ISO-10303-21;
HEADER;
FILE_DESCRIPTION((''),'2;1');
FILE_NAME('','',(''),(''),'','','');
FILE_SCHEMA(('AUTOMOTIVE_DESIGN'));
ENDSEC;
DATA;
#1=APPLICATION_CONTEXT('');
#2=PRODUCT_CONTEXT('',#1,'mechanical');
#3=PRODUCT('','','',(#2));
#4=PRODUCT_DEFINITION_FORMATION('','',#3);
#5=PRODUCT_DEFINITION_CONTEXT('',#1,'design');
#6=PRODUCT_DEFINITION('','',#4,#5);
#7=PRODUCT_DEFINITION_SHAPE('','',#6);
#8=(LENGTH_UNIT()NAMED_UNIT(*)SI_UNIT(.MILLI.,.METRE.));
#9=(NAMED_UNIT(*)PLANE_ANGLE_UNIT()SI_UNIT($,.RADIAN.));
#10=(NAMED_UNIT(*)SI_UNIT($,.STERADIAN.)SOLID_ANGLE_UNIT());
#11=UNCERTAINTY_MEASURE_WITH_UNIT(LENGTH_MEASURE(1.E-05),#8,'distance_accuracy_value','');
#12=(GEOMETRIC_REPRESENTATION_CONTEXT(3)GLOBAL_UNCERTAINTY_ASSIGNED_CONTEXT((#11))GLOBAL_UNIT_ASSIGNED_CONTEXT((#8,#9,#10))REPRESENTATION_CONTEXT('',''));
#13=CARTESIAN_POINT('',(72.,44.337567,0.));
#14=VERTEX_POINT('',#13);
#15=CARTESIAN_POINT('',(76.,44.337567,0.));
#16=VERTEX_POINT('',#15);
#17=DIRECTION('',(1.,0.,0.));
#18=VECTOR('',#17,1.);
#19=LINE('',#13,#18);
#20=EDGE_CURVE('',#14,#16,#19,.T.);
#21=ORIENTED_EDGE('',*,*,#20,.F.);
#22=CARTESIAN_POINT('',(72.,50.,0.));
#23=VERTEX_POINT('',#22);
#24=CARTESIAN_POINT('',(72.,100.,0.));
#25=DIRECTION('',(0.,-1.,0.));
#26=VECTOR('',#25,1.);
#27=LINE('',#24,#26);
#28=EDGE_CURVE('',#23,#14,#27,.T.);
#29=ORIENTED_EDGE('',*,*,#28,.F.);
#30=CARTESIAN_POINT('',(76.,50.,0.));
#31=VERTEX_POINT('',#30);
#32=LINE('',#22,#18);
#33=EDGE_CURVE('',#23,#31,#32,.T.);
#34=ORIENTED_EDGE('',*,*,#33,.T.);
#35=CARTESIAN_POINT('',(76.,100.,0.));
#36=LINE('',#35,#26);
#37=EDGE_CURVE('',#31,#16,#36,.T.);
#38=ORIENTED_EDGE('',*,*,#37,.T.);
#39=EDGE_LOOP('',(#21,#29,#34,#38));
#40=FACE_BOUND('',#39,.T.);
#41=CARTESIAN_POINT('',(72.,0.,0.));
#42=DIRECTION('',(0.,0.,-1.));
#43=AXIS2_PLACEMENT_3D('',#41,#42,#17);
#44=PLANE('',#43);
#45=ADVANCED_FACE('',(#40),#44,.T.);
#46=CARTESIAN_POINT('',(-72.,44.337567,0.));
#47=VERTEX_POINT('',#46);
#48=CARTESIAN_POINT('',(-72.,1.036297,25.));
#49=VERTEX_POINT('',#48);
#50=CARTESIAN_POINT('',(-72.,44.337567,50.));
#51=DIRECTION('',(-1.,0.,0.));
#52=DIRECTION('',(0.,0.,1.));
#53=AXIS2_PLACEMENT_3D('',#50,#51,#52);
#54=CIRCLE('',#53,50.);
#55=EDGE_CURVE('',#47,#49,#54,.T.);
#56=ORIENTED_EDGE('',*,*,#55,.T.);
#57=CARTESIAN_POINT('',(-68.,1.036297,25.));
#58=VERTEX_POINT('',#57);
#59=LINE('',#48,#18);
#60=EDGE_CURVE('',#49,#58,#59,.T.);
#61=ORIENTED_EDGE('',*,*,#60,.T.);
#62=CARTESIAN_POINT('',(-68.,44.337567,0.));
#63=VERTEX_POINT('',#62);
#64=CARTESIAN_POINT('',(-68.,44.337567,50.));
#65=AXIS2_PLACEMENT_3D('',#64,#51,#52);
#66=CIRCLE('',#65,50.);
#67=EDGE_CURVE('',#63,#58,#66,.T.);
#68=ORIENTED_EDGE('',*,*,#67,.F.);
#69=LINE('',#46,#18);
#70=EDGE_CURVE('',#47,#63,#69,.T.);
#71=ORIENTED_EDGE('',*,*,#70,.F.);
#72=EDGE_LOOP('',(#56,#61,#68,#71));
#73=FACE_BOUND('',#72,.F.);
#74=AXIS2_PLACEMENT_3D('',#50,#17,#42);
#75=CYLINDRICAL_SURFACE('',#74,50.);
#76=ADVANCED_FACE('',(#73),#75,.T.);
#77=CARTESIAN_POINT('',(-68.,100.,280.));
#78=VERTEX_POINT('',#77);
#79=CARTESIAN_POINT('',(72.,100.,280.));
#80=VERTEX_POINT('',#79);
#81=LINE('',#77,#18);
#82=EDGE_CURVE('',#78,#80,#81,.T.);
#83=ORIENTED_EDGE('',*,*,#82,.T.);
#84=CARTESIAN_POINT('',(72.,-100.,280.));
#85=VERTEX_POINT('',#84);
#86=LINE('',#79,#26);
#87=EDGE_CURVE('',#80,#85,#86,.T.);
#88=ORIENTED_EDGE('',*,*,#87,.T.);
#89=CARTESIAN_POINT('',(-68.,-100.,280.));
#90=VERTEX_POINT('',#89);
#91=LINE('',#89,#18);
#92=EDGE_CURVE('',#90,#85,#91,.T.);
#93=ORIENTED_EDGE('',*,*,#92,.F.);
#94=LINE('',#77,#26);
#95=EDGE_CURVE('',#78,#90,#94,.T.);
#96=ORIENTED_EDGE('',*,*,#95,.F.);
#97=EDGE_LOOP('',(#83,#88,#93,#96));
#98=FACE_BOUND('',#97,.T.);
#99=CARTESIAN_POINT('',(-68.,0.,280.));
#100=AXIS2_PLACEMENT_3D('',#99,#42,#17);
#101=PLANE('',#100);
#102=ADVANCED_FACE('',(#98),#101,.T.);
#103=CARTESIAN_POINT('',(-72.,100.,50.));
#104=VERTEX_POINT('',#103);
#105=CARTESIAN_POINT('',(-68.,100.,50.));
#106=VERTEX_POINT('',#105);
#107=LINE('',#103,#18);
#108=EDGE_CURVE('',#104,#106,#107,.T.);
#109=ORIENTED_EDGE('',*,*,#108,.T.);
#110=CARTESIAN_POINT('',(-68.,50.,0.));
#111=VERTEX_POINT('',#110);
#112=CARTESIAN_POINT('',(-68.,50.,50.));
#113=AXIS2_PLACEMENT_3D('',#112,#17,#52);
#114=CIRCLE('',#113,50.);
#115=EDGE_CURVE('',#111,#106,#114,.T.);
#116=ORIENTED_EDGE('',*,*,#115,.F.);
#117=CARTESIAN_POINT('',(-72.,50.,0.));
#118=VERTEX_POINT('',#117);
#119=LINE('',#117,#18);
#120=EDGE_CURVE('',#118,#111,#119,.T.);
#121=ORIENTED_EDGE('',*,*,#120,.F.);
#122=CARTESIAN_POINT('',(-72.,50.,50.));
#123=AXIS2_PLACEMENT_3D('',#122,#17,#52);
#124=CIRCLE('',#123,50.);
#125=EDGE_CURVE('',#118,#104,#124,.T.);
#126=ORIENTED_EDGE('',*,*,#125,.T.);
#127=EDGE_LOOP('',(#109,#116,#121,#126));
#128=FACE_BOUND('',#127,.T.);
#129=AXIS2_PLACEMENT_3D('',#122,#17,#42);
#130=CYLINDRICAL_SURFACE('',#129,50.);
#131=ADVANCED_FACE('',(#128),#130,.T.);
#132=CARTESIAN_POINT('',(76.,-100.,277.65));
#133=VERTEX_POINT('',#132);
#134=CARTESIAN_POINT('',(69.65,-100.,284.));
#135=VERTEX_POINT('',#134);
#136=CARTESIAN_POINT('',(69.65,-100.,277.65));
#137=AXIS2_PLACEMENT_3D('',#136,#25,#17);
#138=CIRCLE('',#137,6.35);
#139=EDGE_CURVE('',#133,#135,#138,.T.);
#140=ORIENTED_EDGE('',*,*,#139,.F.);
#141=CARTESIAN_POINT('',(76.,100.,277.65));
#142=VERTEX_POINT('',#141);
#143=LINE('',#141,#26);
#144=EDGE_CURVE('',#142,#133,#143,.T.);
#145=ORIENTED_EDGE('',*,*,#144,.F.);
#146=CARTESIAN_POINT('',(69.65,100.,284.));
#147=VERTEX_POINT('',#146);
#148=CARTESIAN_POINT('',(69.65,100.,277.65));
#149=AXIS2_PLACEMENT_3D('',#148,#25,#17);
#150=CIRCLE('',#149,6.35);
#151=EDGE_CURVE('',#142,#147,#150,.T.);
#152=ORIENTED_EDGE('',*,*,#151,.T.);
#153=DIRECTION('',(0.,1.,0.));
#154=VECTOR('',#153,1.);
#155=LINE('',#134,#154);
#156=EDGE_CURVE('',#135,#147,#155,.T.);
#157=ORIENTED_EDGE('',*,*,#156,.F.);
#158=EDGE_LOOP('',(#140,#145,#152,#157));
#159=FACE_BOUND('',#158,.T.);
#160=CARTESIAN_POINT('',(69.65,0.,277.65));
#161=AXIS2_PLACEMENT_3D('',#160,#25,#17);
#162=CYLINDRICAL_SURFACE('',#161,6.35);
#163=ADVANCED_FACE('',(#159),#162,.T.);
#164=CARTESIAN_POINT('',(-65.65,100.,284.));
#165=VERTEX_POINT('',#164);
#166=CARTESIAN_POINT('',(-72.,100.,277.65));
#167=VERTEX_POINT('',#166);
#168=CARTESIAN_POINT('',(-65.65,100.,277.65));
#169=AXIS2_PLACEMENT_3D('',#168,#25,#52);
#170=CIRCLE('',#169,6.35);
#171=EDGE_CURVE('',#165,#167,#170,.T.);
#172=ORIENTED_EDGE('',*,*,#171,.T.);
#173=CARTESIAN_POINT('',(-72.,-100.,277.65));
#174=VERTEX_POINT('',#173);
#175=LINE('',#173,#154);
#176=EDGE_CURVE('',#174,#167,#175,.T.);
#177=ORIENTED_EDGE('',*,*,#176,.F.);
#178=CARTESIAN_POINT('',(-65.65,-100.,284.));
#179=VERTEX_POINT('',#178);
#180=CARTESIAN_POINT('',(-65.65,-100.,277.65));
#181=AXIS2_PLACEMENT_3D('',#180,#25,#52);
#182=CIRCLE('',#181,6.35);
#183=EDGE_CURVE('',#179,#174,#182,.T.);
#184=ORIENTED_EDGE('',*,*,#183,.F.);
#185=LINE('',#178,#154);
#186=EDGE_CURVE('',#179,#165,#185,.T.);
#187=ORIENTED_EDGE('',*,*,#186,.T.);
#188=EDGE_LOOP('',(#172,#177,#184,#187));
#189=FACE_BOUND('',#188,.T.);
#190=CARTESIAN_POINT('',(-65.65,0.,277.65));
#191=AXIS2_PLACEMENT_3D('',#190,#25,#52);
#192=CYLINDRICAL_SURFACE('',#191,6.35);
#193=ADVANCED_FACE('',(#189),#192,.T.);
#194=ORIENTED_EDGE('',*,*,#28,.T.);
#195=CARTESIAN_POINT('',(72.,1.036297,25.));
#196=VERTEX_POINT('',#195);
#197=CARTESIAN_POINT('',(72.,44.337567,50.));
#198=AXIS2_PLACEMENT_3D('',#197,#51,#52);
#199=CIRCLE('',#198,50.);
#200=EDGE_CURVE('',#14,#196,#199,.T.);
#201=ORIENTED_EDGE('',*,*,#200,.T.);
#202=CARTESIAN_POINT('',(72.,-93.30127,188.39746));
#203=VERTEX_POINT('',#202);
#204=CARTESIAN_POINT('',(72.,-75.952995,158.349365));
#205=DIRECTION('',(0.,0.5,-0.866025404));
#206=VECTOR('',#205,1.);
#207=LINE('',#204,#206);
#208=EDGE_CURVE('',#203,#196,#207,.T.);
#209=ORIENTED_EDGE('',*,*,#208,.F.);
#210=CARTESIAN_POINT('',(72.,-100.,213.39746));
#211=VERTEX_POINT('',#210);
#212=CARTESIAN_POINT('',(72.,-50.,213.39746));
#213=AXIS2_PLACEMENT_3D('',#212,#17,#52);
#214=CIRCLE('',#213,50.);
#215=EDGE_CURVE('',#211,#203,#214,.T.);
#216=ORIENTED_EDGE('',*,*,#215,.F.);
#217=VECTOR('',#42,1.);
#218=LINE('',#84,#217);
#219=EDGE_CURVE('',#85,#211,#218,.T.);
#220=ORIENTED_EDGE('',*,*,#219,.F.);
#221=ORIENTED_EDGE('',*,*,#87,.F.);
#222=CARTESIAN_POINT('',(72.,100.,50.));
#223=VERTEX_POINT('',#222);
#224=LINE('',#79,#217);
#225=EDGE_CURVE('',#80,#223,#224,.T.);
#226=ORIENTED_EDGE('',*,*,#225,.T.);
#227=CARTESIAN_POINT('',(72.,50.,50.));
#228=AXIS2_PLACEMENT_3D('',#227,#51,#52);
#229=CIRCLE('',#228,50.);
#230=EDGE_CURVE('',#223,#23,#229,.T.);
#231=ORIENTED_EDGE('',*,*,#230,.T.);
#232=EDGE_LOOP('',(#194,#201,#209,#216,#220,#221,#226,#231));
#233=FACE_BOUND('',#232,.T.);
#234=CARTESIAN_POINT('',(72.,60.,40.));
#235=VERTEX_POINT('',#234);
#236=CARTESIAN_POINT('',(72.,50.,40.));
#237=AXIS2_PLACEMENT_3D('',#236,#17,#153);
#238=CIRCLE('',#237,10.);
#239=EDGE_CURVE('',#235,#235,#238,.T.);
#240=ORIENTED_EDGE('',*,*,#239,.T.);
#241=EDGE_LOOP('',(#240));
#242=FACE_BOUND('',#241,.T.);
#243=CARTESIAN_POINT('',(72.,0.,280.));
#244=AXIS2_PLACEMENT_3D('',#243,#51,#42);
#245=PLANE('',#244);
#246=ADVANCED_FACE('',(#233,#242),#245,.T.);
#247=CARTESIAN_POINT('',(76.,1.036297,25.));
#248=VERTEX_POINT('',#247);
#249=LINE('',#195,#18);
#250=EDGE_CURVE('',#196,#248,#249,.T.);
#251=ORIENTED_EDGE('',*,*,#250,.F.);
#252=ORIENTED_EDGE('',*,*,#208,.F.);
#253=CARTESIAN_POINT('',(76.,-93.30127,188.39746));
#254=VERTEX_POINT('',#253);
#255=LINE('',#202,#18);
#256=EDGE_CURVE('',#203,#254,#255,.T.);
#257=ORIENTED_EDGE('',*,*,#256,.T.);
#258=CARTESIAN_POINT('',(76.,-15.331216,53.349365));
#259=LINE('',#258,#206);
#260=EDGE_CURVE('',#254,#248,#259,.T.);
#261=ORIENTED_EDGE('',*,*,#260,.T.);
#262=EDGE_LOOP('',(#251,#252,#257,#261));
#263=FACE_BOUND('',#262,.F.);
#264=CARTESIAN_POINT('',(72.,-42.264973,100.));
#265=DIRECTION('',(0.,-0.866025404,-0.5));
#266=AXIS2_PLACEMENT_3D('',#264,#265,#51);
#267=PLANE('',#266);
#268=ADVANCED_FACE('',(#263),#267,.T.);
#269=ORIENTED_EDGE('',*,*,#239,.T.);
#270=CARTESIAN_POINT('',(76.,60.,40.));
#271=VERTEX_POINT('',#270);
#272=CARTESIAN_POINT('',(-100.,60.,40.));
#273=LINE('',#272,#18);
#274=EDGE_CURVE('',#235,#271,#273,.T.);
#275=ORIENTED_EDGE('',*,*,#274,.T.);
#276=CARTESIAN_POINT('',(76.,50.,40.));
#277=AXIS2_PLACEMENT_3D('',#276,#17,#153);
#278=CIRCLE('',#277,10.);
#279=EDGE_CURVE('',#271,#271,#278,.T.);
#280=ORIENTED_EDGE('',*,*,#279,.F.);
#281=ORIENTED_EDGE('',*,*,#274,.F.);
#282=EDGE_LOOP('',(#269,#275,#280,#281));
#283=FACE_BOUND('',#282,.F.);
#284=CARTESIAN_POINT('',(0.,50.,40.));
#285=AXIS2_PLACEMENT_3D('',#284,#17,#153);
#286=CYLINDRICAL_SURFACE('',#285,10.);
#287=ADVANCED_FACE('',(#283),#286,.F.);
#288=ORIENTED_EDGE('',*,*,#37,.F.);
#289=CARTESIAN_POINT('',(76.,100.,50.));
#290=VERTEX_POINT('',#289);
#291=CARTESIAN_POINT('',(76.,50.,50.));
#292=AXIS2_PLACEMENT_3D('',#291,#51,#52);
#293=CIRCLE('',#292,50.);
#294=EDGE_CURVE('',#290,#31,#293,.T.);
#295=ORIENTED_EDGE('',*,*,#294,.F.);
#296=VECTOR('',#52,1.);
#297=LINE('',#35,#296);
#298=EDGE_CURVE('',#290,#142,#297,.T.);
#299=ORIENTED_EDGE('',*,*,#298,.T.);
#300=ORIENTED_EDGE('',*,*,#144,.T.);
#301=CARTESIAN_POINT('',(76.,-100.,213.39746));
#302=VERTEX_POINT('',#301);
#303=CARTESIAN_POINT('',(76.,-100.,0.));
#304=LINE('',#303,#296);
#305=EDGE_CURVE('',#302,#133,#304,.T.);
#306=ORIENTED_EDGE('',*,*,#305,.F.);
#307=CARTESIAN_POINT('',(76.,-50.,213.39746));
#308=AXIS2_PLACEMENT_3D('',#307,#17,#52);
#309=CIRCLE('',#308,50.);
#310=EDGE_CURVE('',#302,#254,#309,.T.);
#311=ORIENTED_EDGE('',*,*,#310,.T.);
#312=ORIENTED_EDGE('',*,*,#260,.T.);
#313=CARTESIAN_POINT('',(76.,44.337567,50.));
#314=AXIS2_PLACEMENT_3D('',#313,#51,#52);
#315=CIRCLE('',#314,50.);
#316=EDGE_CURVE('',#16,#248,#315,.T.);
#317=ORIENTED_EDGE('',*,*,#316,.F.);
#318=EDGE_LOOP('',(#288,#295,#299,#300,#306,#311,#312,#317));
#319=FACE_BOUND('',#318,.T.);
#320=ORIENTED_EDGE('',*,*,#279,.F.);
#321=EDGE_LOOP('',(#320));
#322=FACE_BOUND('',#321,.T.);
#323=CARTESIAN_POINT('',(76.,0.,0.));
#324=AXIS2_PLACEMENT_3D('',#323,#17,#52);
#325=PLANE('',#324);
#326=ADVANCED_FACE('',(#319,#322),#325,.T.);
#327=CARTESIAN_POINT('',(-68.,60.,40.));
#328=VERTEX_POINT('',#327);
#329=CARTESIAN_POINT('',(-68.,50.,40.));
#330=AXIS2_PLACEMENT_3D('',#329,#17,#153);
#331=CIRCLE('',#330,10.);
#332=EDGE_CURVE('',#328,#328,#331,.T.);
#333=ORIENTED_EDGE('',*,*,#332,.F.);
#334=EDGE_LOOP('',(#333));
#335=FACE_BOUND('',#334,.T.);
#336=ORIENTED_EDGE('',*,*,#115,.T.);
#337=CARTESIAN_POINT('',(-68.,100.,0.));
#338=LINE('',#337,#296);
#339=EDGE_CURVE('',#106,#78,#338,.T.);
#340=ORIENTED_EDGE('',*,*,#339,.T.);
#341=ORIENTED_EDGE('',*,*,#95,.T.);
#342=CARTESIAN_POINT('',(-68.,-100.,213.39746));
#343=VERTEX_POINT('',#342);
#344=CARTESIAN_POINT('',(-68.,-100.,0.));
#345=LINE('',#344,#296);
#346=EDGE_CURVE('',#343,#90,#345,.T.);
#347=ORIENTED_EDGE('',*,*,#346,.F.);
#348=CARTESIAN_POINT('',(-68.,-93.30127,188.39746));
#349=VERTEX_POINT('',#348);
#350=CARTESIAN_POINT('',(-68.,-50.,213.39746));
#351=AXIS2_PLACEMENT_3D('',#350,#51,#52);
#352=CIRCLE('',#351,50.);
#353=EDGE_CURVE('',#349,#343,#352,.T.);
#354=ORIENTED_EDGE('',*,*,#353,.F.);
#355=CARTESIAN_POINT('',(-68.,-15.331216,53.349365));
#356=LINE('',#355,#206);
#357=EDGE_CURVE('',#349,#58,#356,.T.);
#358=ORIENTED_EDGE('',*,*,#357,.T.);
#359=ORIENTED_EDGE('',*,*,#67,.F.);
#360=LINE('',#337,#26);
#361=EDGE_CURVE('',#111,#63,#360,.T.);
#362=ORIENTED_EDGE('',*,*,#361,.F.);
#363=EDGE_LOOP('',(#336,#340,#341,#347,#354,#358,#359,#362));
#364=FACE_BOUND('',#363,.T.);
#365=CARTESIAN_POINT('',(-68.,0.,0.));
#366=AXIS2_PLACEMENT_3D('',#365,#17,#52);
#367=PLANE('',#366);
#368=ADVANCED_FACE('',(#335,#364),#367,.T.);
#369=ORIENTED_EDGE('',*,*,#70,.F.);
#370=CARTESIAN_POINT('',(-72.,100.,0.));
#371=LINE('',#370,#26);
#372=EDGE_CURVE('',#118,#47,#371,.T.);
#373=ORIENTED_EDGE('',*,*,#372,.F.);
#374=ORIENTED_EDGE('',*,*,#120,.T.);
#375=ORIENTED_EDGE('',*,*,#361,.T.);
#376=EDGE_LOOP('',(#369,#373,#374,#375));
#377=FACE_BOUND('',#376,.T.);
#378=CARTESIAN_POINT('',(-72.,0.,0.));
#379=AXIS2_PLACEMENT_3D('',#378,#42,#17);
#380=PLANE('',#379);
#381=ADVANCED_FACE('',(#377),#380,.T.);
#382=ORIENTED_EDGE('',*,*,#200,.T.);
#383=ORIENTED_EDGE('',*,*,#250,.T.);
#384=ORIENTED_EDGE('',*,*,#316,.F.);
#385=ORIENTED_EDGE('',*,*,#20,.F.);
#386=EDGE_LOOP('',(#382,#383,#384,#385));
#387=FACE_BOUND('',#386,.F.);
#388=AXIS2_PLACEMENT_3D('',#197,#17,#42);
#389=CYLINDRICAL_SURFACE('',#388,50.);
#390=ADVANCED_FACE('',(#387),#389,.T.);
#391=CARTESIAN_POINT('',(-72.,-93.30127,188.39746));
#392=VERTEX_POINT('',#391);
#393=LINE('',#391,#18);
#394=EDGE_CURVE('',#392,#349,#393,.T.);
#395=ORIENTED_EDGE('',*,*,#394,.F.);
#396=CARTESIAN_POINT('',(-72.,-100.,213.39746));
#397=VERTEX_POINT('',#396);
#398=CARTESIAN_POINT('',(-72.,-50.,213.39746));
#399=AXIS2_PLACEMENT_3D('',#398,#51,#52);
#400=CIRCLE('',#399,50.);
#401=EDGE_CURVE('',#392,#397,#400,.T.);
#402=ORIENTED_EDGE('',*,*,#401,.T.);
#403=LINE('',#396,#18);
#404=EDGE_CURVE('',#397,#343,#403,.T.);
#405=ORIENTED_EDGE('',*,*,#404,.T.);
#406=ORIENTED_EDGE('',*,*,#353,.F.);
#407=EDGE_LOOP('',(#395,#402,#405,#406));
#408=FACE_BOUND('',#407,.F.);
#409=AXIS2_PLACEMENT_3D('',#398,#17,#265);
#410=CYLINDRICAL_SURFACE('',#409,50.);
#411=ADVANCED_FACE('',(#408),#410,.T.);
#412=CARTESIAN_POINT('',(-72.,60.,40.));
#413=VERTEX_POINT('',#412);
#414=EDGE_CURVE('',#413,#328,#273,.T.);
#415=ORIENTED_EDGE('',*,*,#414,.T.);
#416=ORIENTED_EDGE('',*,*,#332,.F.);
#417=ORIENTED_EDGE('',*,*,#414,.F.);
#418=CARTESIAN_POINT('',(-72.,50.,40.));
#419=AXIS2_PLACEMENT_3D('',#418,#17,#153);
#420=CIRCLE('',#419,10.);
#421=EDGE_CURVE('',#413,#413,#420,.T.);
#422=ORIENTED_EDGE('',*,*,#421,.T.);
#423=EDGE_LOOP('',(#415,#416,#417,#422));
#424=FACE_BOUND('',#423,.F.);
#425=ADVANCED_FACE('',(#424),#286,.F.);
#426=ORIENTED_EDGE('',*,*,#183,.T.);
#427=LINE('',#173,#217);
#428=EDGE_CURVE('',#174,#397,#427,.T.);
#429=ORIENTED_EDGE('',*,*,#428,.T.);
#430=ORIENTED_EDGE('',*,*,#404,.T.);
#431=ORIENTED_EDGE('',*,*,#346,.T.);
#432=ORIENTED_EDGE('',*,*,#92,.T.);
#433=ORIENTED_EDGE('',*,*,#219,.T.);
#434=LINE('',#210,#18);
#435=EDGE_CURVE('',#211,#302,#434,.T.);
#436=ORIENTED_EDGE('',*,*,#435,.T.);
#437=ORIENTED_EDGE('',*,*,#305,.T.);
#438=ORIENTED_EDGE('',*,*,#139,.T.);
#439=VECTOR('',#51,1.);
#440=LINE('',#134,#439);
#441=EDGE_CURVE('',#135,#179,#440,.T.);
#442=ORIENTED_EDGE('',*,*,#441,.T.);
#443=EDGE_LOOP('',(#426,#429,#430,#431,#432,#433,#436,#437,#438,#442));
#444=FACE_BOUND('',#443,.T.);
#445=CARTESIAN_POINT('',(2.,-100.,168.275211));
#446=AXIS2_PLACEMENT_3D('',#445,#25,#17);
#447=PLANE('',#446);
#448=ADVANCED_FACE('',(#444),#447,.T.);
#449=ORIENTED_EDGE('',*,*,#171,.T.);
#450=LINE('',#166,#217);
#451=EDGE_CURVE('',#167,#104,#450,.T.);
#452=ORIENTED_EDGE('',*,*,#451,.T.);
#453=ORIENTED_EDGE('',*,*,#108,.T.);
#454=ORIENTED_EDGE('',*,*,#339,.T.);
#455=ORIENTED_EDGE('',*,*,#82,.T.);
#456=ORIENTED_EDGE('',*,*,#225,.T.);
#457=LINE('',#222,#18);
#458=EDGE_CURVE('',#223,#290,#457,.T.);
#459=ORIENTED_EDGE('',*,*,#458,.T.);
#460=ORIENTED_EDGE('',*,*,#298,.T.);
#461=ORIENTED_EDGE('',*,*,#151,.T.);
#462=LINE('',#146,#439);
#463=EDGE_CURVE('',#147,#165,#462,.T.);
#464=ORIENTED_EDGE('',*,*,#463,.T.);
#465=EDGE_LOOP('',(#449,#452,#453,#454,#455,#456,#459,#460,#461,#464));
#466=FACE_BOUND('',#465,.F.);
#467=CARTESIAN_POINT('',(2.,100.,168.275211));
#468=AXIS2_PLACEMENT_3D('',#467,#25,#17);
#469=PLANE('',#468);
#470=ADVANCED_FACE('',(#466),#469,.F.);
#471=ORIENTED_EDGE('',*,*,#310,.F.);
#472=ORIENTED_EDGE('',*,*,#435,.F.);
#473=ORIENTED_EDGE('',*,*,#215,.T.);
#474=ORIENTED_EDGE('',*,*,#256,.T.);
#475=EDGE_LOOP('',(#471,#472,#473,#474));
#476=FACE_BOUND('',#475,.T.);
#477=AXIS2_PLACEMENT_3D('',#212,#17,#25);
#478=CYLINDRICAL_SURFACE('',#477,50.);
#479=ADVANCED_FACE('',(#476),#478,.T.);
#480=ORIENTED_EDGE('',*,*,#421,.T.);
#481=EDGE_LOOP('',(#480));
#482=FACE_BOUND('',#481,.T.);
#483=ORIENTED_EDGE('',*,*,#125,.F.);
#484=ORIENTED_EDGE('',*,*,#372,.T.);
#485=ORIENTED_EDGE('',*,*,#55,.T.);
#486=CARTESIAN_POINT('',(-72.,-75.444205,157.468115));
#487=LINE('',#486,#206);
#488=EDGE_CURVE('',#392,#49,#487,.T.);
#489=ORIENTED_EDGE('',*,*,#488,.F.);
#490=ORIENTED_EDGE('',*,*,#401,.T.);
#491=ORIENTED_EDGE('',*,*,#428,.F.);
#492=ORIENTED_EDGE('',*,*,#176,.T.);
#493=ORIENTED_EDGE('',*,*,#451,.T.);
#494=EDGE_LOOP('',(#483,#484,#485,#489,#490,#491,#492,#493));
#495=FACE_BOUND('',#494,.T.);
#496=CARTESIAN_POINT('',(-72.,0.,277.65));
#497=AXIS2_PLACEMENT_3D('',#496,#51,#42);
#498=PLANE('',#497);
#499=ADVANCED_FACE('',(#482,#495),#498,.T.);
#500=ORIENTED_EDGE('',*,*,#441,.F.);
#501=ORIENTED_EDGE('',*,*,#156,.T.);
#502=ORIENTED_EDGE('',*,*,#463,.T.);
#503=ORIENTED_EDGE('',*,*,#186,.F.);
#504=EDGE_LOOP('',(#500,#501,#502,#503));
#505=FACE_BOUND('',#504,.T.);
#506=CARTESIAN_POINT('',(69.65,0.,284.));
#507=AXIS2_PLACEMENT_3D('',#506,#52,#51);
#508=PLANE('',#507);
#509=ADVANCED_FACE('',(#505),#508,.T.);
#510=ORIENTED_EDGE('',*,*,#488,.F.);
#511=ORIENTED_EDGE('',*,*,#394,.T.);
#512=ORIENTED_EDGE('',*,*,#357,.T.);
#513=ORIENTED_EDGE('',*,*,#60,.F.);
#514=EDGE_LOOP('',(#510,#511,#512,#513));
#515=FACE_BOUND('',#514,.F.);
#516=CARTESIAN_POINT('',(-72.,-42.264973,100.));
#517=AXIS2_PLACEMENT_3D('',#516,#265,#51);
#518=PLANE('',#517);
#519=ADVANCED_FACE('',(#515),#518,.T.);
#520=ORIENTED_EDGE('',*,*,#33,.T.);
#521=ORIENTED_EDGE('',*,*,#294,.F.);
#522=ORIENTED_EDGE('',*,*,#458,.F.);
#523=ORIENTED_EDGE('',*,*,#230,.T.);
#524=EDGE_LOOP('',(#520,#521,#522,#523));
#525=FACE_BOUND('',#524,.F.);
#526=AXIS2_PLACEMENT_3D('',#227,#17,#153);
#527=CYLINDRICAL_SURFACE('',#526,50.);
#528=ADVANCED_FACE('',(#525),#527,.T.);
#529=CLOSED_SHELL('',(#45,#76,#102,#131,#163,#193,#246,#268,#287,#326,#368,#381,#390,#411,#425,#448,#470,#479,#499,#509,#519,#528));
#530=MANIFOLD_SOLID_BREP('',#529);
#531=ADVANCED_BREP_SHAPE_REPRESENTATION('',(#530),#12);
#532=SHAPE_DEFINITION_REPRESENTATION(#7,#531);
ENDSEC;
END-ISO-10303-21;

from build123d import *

# Parameters (mm, degrees)
F1_DEPTH = 100
F2_SIZE2 = 115.4700538379
F2_SIZE  = 200
F3_R     = 50
F4_R     = 10
F5_DEPTH = 100


with BuildPart() as f1:
    # F0 (on Front) → F1 (new body, symmetric)
    with BuildSketch(Plane.XZ):
        with BuildLine():
            Line((-72, 277.65), (-72, 0))
            Line((-72, 0), (-68, 0))
            Line((-68, 0), (-68, 280))
            Line((-68, 280), (72, 280))
            Line((72, 280), (72, 0))
            Line((72, 0), (76, 0))
            Line((76, 0), (76, 277.65))
            ThreePointArc((76, 277.65), (74.1401280605, 282.1401280605), (69.65, 284))
            Line((69.65, 284), (-65.65, 284))
            ThreePointArc((-65.65, 284), (-70.1401280605, 282.1401280605), (-72, 277.65))
        make_face()
    extrude(amount=F1_DEPTH, both=True)

    # F2
    f2_edges = [f1.edges().sort_by_distance(p)[0] for p in [
        (74, -100, 0),
        (-70, -100, 0),
    ]]
    f2_side = f1.faces().sort_by_distance((-68.797501, -100, 138.825))[0]
    chamfer(f2_edges, length=F2_SIZE, length2=F2_SIZE2, reference=f2_side)

    # F3
    f3_edges = [f1.edges().sort_by_distance(p)[0] for p in [
        (74, -100, 200),
        (-70, -100, 200),
        (74, 15.470054, 0),
        (-70, 15.470054, 0),
        (-70, 100, 0),
        (74, 100, 0),
    ]]
    fillet(f3_edges, radius=F3_R)

    # F4 (on Right) → F5 (cut, symmetric)
    with BuildSketch(Plane.YZ):
        with Locations((50, 40)):
            Circle(F4_R)
    extrude(amount=F5_DEPTH, both=True, mode=Mode.SUBTRACT)


solid = f1.part
